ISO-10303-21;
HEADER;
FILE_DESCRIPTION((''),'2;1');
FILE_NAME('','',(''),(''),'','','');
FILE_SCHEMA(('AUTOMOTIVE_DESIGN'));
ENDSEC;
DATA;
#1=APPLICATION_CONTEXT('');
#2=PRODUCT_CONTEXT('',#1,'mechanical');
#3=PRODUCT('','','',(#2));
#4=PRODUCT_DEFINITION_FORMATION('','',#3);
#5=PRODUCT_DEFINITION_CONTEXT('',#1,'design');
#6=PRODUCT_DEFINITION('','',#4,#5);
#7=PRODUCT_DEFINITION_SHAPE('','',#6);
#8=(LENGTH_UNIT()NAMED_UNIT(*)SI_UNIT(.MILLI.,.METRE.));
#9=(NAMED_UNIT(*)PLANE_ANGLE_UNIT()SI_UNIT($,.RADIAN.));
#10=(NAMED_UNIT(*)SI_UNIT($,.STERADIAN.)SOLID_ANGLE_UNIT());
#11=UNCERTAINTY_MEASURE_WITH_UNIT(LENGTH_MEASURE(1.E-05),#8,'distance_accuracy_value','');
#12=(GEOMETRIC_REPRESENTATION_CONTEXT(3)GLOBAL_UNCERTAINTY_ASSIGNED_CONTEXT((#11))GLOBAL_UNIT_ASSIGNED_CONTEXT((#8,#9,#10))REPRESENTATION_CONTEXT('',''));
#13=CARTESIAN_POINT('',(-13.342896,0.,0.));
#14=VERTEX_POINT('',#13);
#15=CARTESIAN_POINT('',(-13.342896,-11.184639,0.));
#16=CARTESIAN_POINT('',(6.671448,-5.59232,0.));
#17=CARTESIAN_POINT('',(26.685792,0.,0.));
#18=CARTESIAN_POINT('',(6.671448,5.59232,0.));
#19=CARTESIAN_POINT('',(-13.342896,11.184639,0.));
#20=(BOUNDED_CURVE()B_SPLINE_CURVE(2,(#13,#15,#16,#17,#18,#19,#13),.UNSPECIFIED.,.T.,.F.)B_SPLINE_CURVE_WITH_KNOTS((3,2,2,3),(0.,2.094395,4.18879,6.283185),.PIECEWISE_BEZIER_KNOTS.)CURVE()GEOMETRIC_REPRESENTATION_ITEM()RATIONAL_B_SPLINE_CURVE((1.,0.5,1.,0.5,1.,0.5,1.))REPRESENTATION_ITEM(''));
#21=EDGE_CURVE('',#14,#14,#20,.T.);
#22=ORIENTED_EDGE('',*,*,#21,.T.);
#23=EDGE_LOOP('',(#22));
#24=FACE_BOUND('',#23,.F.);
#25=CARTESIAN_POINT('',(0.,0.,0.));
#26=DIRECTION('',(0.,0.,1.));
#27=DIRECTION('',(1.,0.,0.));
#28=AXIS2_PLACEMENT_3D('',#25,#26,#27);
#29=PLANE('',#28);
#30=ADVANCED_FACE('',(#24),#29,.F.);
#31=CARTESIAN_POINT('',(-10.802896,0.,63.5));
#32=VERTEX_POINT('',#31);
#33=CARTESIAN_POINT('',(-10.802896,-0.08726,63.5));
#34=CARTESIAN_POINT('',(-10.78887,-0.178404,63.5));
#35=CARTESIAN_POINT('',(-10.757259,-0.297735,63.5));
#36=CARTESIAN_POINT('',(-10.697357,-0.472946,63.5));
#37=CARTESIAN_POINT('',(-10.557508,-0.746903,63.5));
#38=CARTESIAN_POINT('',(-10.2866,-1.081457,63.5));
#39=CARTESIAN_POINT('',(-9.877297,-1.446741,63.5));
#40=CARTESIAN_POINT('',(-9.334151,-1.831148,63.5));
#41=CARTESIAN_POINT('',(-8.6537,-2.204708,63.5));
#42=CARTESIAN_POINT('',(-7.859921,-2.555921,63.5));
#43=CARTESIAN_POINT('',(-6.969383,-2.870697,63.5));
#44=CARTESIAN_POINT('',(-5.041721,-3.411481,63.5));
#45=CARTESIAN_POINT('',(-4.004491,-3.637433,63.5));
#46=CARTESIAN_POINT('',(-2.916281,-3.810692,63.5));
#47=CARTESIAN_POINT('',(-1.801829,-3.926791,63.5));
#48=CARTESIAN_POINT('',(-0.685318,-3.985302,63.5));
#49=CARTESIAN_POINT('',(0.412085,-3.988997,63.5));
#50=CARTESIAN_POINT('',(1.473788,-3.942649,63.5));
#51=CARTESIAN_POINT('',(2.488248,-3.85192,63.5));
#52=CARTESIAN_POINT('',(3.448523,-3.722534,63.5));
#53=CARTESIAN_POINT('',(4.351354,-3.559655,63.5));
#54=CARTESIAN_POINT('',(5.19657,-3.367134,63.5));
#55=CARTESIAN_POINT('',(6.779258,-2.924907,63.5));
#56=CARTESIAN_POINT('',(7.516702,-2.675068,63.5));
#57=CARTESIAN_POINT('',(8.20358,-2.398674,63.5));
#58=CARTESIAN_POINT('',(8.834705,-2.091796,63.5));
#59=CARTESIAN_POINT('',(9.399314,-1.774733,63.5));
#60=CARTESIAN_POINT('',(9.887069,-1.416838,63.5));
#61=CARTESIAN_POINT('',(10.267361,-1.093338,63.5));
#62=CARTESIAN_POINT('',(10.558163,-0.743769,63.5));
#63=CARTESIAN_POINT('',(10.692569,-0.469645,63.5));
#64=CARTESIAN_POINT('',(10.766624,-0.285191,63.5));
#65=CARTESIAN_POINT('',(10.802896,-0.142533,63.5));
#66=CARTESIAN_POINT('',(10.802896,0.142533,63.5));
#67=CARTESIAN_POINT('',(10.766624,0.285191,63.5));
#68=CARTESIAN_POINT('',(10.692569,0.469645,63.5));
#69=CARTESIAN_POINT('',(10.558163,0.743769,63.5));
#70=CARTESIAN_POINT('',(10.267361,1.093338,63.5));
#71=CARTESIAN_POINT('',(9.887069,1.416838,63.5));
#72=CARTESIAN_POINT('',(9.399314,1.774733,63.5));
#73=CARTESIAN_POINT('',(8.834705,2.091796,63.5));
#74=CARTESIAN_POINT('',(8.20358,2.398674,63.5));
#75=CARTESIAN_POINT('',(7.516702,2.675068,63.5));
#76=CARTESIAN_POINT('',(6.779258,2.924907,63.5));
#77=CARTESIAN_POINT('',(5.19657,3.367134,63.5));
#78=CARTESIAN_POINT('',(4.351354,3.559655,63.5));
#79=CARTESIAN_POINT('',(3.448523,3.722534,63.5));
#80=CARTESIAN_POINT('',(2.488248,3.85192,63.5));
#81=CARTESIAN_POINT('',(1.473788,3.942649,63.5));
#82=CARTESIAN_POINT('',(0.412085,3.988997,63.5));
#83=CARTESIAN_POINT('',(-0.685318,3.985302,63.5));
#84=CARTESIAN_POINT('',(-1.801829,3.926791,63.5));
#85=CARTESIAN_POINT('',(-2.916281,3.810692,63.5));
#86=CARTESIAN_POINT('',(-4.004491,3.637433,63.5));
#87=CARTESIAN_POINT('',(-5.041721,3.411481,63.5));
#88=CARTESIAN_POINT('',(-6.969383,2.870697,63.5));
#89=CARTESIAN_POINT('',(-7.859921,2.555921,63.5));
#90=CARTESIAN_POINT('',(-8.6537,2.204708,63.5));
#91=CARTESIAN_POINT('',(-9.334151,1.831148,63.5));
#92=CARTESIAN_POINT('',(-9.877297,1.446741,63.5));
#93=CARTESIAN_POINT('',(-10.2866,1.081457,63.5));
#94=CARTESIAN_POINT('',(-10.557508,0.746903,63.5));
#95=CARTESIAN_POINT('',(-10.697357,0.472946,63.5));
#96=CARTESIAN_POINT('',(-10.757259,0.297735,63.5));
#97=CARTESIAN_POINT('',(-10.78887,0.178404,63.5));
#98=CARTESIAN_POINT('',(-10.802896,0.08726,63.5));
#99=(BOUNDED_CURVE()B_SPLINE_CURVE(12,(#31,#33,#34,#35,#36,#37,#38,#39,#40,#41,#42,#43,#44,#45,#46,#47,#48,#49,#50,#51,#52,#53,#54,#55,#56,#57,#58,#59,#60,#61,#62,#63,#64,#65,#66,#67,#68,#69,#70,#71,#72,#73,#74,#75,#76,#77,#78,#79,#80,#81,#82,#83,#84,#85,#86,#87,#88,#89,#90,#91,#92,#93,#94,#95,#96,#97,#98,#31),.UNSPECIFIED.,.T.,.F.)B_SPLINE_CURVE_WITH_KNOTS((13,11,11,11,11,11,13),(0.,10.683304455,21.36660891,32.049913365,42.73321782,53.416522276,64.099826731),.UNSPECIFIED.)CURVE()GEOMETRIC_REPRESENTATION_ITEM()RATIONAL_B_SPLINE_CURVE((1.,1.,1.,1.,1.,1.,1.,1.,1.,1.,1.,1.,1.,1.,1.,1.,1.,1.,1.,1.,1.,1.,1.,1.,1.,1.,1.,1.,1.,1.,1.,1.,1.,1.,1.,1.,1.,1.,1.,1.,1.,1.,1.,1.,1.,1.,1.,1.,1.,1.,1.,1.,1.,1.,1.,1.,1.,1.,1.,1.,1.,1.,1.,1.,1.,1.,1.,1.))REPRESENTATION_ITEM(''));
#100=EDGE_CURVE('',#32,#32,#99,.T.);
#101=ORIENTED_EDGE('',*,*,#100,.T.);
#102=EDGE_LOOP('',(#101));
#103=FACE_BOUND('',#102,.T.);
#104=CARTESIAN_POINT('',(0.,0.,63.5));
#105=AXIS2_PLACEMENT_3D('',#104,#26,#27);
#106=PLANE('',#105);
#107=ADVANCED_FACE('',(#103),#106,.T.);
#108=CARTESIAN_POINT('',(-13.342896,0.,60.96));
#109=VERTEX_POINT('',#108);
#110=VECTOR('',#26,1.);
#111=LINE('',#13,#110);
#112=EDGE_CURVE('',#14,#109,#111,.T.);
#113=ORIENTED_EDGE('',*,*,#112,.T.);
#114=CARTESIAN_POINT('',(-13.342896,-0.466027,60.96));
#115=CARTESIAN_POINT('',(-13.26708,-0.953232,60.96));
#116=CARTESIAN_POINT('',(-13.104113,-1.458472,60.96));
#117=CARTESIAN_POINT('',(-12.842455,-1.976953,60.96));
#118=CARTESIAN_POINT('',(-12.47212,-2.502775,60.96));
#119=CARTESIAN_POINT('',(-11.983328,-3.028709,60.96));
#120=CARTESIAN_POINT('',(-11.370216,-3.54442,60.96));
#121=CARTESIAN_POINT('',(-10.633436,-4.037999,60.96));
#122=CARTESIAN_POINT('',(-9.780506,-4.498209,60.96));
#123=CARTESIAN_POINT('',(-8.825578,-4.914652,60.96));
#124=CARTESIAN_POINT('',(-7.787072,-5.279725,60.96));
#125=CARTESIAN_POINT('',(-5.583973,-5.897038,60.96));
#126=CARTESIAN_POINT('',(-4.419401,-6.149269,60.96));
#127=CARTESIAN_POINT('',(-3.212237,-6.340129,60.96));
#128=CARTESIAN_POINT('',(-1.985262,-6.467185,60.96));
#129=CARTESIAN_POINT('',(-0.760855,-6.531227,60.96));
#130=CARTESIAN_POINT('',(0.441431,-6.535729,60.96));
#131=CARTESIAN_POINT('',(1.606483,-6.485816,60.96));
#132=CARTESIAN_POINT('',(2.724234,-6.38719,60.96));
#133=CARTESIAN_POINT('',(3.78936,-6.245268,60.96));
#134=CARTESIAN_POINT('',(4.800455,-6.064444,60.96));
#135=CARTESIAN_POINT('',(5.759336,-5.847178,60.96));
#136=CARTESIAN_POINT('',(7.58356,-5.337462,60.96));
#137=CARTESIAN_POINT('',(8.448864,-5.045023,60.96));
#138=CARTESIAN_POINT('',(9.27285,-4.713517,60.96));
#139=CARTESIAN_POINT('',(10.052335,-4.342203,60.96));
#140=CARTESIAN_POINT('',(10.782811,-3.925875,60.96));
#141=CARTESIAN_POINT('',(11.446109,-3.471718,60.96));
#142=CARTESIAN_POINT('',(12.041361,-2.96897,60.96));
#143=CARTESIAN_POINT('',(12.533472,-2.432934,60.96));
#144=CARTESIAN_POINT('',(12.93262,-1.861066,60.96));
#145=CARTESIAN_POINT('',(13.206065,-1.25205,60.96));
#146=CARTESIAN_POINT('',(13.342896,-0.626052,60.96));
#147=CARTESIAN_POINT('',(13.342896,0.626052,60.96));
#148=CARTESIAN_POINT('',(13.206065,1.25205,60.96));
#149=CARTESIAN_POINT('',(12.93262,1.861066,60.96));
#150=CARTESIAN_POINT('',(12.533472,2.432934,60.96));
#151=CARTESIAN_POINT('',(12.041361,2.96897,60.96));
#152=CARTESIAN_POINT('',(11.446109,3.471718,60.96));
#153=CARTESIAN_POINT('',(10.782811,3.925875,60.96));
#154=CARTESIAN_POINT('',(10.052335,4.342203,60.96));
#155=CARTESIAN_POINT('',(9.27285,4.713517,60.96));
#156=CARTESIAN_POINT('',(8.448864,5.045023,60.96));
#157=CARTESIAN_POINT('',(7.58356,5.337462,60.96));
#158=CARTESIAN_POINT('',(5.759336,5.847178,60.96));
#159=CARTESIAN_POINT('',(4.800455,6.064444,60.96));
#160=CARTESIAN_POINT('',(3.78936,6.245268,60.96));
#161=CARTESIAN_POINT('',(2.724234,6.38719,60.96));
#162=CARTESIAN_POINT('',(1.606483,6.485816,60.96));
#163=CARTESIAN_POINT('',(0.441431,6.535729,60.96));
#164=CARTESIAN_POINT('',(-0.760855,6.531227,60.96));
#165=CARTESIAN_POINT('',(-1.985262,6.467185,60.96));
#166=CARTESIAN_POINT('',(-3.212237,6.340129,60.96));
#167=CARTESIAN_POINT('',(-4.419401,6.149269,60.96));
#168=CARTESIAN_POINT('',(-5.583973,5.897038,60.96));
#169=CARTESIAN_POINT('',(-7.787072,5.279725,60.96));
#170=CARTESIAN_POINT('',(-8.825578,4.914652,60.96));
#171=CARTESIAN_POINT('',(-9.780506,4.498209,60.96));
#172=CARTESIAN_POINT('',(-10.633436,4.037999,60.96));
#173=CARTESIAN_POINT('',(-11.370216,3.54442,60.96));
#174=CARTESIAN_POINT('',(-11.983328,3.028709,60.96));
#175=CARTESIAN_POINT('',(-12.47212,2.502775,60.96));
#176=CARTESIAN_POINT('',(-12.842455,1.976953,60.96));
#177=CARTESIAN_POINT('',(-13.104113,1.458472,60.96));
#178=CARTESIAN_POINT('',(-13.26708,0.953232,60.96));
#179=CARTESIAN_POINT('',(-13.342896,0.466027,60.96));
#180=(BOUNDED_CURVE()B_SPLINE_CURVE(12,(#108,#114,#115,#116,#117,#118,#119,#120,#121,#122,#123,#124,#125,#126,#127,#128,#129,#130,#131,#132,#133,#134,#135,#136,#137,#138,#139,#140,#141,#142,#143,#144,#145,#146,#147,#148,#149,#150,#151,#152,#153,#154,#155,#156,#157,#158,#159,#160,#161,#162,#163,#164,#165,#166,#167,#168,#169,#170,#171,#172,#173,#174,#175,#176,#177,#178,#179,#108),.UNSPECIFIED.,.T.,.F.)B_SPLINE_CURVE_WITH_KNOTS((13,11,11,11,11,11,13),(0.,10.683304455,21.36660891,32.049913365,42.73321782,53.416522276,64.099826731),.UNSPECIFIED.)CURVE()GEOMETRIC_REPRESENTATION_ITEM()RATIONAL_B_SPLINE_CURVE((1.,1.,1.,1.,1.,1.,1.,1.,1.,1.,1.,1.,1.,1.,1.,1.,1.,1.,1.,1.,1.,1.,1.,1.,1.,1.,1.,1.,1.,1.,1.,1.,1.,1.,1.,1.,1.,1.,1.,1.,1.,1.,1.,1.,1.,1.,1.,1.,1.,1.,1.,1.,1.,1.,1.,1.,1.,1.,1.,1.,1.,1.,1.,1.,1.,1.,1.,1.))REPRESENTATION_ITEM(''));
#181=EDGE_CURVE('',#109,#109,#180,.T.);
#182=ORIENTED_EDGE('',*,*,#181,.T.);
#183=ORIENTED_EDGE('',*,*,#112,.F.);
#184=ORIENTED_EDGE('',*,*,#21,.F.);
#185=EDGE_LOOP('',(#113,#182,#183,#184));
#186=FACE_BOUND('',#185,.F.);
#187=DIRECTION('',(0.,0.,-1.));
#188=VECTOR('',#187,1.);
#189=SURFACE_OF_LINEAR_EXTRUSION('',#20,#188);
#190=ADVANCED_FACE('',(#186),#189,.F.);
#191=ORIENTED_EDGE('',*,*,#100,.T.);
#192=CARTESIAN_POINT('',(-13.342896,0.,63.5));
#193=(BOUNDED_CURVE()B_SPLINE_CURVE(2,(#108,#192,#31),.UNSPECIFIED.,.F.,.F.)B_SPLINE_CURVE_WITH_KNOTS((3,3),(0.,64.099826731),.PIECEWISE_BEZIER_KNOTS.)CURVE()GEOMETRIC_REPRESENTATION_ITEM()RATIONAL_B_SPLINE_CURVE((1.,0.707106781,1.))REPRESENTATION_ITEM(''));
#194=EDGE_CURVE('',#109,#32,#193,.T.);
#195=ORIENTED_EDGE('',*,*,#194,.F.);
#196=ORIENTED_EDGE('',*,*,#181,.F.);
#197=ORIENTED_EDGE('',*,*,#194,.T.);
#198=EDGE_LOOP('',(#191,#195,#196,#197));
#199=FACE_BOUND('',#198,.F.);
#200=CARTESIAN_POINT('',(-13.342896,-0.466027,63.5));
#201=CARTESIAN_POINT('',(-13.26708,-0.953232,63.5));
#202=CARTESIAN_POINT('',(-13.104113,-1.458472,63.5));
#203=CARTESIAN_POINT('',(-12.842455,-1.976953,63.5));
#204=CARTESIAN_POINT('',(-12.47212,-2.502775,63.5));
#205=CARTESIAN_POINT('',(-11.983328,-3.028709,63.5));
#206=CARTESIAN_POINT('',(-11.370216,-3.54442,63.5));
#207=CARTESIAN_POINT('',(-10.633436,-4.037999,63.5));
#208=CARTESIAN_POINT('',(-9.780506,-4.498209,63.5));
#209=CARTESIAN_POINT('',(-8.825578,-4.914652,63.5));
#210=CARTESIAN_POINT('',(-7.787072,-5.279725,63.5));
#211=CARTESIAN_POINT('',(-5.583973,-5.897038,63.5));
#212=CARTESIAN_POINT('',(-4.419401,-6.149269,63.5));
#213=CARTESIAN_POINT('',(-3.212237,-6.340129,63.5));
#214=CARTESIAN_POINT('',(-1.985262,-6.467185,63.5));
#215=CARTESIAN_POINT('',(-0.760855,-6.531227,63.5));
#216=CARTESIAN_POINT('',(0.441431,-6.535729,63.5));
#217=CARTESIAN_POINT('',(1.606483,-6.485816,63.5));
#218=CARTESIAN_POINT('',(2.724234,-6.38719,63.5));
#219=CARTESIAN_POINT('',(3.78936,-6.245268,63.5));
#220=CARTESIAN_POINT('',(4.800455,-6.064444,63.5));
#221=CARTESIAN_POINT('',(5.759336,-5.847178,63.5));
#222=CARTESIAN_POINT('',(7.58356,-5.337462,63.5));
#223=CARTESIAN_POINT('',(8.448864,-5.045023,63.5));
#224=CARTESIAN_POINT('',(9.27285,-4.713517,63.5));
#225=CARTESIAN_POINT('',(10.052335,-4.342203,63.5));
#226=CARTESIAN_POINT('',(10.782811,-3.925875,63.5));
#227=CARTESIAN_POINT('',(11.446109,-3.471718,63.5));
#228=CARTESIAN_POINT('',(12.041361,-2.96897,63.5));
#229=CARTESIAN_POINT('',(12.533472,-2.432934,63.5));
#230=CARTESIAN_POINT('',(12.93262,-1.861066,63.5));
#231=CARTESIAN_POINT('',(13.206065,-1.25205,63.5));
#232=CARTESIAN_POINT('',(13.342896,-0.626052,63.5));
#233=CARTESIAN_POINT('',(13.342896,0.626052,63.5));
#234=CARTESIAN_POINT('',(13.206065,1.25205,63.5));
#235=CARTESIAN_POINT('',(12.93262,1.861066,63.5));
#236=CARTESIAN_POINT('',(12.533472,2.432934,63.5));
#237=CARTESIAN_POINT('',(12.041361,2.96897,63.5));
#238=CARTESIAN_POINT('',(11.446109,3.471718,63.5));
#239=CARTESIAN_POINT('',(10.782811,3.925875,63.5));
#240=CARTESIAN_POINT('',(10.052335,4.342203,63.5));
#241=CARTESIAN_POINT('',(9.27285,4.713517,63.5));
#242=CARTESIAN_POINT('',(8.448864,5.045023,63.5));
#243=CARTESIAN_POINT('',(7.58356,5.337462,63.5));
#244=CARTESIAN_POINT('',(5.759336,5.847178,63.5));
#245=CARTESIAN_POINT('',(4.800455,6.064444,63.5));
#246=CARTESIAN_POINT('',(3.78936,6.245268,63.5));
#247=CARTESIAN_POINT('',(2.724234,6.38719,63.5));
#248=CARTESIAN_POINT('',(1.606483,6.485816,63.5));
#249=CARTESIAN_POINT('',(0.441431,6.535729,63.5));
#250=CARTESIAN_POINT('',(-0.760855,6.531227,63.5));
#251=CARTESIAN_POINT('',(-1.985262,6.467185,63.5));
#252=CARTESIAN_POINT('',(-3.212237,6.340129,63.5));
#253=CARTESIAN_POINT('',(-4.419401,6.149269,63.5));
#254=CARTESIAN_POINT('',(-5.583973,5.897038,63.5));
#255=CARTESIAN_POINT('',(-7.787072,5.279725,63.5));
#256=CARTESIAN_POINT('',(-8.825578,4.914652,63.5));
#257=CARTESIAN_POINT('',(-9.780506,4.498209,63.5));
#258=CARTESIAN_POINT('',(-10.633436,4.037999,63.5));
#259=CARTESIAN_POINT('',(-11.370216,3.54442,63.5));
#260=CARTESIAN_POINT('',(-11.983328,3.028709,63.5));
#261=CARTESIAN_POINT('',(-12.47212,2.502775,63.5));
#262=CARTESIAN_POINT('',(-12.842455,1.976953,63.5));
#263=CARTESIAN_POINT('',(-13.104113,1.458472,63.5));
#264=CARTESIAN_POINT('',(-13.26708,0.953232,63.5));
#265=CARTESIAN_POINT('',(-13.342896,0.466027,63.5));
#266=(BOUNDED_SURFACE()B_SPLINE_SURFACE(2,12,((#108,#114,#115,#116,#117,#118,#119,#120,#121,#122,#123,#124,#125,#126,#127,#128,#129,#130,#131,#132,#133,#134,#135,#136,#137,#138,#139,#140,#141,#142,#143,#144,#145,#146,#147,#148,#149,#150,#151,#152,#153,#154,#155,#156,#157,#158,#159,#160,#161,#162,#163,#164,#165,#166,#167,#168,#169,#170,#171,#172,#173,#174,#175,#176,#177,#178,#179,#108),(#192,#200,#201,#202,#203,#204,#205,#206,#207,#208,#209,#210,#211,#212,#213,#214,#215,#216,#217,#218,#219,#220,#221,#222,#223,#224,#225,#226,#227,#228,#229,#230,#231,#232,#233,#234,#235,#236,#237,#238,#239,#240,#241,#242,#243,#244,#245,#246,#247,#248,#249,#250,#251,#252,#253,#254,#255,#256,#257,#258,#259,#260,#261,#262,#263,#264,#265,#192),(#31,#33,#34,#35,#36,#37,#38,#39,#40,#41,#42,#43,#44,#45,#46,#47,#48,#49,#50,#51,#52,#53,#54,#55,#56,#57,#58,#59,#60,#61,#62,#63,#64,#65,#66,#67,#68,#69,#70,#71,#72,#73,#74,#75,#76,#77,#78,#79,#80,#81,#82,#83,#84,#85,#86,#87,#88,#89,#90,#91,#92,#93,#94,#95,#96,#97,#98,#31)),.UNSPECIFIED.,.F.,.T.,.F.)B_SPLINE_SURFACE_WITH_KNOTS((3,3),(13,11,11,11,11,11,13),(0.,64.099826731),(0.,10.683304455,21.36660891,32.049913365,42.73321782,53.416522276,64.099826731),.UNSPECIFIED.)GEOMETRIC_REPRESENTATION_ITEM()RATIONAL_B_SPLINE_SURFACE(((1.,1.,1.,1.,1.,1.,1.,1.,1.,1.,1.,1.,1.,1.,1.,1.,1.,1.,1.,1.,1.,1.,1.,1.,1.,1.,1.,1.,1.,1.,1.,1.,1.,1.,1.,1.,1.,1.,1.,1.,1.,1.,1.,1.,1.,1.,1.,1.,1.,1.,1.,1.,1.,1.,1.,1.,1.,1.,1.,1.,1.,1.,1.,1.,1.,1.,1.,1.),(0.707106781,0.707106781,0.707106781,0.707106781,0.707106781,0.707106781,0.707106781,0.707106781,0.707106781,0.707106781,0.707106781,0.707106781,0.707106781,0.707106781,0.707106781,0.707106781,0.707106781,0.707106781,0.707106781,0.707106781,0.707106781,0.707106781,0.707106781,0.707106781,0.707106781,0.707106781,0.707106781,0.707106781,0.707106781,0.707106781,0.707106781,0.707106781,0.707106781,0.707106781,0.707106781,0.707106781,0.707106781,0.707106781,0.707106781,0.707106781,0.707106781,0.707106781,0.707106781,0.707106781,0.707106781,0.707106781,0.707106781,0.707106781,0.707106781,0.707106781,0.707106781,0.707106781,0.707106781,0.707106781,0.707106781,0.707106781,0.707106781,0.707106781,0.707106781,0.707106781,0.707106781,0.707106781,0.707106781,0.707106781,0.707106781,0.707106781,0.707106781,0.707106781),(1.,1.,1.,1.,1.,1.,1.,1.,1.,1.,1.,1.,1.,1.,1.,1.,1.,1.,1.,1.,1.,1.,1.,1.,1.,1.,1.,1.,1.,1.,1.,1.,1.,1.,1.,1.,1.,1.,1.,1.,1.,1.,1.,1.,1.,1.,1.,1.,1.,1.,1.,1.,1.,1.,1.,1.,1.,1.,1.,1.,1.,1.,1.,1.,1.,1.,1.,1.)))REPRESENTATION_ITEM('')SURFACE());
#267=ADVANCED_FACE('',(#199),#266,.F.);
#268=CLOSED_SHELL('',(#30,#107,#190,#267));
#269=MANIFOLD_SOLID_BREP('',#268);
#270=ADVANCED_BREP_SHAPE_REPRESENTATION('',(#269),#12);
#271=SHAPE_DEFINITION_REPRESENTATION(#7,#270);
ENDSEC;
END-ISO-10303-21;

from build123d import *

# Parameters (mm, degrees)
F1_DEPTH = 63.5
F2_R     = 2.54


with BuildPart() as f1:
    # F0 (on Top) → F1 (new body)
    with BuildSketch(Plane.XY):
        with BuildLine():
            add(Edge.make_bspline(
                [(-13.342896, 0), (-13.342896, -11.184639), (6.671448, -5.59232), (26.685792, 0), (6.671448, 5.59232), (-13.342896, 11.184639), (-13.342896, 0)],
                knots=[0, 0, 0, 2.094395, 2.094395, 4.18879, 4.18879, 6.283185, 6.283185, 6.283185], degree=2, weights=[1, 0.5, 1, 0.5, 1, 0.5, 1]))
        make_face()
    extrude(amount=F1_DEPTH)

    # F2
    f2_edges = [f1.edges().sort_by_distance(p)[0] for p in [
        (13.342896, -2e-06, 63.5),
    ]]
    fillet(f2_edges, radius=F2_R)


solid = f1.part
